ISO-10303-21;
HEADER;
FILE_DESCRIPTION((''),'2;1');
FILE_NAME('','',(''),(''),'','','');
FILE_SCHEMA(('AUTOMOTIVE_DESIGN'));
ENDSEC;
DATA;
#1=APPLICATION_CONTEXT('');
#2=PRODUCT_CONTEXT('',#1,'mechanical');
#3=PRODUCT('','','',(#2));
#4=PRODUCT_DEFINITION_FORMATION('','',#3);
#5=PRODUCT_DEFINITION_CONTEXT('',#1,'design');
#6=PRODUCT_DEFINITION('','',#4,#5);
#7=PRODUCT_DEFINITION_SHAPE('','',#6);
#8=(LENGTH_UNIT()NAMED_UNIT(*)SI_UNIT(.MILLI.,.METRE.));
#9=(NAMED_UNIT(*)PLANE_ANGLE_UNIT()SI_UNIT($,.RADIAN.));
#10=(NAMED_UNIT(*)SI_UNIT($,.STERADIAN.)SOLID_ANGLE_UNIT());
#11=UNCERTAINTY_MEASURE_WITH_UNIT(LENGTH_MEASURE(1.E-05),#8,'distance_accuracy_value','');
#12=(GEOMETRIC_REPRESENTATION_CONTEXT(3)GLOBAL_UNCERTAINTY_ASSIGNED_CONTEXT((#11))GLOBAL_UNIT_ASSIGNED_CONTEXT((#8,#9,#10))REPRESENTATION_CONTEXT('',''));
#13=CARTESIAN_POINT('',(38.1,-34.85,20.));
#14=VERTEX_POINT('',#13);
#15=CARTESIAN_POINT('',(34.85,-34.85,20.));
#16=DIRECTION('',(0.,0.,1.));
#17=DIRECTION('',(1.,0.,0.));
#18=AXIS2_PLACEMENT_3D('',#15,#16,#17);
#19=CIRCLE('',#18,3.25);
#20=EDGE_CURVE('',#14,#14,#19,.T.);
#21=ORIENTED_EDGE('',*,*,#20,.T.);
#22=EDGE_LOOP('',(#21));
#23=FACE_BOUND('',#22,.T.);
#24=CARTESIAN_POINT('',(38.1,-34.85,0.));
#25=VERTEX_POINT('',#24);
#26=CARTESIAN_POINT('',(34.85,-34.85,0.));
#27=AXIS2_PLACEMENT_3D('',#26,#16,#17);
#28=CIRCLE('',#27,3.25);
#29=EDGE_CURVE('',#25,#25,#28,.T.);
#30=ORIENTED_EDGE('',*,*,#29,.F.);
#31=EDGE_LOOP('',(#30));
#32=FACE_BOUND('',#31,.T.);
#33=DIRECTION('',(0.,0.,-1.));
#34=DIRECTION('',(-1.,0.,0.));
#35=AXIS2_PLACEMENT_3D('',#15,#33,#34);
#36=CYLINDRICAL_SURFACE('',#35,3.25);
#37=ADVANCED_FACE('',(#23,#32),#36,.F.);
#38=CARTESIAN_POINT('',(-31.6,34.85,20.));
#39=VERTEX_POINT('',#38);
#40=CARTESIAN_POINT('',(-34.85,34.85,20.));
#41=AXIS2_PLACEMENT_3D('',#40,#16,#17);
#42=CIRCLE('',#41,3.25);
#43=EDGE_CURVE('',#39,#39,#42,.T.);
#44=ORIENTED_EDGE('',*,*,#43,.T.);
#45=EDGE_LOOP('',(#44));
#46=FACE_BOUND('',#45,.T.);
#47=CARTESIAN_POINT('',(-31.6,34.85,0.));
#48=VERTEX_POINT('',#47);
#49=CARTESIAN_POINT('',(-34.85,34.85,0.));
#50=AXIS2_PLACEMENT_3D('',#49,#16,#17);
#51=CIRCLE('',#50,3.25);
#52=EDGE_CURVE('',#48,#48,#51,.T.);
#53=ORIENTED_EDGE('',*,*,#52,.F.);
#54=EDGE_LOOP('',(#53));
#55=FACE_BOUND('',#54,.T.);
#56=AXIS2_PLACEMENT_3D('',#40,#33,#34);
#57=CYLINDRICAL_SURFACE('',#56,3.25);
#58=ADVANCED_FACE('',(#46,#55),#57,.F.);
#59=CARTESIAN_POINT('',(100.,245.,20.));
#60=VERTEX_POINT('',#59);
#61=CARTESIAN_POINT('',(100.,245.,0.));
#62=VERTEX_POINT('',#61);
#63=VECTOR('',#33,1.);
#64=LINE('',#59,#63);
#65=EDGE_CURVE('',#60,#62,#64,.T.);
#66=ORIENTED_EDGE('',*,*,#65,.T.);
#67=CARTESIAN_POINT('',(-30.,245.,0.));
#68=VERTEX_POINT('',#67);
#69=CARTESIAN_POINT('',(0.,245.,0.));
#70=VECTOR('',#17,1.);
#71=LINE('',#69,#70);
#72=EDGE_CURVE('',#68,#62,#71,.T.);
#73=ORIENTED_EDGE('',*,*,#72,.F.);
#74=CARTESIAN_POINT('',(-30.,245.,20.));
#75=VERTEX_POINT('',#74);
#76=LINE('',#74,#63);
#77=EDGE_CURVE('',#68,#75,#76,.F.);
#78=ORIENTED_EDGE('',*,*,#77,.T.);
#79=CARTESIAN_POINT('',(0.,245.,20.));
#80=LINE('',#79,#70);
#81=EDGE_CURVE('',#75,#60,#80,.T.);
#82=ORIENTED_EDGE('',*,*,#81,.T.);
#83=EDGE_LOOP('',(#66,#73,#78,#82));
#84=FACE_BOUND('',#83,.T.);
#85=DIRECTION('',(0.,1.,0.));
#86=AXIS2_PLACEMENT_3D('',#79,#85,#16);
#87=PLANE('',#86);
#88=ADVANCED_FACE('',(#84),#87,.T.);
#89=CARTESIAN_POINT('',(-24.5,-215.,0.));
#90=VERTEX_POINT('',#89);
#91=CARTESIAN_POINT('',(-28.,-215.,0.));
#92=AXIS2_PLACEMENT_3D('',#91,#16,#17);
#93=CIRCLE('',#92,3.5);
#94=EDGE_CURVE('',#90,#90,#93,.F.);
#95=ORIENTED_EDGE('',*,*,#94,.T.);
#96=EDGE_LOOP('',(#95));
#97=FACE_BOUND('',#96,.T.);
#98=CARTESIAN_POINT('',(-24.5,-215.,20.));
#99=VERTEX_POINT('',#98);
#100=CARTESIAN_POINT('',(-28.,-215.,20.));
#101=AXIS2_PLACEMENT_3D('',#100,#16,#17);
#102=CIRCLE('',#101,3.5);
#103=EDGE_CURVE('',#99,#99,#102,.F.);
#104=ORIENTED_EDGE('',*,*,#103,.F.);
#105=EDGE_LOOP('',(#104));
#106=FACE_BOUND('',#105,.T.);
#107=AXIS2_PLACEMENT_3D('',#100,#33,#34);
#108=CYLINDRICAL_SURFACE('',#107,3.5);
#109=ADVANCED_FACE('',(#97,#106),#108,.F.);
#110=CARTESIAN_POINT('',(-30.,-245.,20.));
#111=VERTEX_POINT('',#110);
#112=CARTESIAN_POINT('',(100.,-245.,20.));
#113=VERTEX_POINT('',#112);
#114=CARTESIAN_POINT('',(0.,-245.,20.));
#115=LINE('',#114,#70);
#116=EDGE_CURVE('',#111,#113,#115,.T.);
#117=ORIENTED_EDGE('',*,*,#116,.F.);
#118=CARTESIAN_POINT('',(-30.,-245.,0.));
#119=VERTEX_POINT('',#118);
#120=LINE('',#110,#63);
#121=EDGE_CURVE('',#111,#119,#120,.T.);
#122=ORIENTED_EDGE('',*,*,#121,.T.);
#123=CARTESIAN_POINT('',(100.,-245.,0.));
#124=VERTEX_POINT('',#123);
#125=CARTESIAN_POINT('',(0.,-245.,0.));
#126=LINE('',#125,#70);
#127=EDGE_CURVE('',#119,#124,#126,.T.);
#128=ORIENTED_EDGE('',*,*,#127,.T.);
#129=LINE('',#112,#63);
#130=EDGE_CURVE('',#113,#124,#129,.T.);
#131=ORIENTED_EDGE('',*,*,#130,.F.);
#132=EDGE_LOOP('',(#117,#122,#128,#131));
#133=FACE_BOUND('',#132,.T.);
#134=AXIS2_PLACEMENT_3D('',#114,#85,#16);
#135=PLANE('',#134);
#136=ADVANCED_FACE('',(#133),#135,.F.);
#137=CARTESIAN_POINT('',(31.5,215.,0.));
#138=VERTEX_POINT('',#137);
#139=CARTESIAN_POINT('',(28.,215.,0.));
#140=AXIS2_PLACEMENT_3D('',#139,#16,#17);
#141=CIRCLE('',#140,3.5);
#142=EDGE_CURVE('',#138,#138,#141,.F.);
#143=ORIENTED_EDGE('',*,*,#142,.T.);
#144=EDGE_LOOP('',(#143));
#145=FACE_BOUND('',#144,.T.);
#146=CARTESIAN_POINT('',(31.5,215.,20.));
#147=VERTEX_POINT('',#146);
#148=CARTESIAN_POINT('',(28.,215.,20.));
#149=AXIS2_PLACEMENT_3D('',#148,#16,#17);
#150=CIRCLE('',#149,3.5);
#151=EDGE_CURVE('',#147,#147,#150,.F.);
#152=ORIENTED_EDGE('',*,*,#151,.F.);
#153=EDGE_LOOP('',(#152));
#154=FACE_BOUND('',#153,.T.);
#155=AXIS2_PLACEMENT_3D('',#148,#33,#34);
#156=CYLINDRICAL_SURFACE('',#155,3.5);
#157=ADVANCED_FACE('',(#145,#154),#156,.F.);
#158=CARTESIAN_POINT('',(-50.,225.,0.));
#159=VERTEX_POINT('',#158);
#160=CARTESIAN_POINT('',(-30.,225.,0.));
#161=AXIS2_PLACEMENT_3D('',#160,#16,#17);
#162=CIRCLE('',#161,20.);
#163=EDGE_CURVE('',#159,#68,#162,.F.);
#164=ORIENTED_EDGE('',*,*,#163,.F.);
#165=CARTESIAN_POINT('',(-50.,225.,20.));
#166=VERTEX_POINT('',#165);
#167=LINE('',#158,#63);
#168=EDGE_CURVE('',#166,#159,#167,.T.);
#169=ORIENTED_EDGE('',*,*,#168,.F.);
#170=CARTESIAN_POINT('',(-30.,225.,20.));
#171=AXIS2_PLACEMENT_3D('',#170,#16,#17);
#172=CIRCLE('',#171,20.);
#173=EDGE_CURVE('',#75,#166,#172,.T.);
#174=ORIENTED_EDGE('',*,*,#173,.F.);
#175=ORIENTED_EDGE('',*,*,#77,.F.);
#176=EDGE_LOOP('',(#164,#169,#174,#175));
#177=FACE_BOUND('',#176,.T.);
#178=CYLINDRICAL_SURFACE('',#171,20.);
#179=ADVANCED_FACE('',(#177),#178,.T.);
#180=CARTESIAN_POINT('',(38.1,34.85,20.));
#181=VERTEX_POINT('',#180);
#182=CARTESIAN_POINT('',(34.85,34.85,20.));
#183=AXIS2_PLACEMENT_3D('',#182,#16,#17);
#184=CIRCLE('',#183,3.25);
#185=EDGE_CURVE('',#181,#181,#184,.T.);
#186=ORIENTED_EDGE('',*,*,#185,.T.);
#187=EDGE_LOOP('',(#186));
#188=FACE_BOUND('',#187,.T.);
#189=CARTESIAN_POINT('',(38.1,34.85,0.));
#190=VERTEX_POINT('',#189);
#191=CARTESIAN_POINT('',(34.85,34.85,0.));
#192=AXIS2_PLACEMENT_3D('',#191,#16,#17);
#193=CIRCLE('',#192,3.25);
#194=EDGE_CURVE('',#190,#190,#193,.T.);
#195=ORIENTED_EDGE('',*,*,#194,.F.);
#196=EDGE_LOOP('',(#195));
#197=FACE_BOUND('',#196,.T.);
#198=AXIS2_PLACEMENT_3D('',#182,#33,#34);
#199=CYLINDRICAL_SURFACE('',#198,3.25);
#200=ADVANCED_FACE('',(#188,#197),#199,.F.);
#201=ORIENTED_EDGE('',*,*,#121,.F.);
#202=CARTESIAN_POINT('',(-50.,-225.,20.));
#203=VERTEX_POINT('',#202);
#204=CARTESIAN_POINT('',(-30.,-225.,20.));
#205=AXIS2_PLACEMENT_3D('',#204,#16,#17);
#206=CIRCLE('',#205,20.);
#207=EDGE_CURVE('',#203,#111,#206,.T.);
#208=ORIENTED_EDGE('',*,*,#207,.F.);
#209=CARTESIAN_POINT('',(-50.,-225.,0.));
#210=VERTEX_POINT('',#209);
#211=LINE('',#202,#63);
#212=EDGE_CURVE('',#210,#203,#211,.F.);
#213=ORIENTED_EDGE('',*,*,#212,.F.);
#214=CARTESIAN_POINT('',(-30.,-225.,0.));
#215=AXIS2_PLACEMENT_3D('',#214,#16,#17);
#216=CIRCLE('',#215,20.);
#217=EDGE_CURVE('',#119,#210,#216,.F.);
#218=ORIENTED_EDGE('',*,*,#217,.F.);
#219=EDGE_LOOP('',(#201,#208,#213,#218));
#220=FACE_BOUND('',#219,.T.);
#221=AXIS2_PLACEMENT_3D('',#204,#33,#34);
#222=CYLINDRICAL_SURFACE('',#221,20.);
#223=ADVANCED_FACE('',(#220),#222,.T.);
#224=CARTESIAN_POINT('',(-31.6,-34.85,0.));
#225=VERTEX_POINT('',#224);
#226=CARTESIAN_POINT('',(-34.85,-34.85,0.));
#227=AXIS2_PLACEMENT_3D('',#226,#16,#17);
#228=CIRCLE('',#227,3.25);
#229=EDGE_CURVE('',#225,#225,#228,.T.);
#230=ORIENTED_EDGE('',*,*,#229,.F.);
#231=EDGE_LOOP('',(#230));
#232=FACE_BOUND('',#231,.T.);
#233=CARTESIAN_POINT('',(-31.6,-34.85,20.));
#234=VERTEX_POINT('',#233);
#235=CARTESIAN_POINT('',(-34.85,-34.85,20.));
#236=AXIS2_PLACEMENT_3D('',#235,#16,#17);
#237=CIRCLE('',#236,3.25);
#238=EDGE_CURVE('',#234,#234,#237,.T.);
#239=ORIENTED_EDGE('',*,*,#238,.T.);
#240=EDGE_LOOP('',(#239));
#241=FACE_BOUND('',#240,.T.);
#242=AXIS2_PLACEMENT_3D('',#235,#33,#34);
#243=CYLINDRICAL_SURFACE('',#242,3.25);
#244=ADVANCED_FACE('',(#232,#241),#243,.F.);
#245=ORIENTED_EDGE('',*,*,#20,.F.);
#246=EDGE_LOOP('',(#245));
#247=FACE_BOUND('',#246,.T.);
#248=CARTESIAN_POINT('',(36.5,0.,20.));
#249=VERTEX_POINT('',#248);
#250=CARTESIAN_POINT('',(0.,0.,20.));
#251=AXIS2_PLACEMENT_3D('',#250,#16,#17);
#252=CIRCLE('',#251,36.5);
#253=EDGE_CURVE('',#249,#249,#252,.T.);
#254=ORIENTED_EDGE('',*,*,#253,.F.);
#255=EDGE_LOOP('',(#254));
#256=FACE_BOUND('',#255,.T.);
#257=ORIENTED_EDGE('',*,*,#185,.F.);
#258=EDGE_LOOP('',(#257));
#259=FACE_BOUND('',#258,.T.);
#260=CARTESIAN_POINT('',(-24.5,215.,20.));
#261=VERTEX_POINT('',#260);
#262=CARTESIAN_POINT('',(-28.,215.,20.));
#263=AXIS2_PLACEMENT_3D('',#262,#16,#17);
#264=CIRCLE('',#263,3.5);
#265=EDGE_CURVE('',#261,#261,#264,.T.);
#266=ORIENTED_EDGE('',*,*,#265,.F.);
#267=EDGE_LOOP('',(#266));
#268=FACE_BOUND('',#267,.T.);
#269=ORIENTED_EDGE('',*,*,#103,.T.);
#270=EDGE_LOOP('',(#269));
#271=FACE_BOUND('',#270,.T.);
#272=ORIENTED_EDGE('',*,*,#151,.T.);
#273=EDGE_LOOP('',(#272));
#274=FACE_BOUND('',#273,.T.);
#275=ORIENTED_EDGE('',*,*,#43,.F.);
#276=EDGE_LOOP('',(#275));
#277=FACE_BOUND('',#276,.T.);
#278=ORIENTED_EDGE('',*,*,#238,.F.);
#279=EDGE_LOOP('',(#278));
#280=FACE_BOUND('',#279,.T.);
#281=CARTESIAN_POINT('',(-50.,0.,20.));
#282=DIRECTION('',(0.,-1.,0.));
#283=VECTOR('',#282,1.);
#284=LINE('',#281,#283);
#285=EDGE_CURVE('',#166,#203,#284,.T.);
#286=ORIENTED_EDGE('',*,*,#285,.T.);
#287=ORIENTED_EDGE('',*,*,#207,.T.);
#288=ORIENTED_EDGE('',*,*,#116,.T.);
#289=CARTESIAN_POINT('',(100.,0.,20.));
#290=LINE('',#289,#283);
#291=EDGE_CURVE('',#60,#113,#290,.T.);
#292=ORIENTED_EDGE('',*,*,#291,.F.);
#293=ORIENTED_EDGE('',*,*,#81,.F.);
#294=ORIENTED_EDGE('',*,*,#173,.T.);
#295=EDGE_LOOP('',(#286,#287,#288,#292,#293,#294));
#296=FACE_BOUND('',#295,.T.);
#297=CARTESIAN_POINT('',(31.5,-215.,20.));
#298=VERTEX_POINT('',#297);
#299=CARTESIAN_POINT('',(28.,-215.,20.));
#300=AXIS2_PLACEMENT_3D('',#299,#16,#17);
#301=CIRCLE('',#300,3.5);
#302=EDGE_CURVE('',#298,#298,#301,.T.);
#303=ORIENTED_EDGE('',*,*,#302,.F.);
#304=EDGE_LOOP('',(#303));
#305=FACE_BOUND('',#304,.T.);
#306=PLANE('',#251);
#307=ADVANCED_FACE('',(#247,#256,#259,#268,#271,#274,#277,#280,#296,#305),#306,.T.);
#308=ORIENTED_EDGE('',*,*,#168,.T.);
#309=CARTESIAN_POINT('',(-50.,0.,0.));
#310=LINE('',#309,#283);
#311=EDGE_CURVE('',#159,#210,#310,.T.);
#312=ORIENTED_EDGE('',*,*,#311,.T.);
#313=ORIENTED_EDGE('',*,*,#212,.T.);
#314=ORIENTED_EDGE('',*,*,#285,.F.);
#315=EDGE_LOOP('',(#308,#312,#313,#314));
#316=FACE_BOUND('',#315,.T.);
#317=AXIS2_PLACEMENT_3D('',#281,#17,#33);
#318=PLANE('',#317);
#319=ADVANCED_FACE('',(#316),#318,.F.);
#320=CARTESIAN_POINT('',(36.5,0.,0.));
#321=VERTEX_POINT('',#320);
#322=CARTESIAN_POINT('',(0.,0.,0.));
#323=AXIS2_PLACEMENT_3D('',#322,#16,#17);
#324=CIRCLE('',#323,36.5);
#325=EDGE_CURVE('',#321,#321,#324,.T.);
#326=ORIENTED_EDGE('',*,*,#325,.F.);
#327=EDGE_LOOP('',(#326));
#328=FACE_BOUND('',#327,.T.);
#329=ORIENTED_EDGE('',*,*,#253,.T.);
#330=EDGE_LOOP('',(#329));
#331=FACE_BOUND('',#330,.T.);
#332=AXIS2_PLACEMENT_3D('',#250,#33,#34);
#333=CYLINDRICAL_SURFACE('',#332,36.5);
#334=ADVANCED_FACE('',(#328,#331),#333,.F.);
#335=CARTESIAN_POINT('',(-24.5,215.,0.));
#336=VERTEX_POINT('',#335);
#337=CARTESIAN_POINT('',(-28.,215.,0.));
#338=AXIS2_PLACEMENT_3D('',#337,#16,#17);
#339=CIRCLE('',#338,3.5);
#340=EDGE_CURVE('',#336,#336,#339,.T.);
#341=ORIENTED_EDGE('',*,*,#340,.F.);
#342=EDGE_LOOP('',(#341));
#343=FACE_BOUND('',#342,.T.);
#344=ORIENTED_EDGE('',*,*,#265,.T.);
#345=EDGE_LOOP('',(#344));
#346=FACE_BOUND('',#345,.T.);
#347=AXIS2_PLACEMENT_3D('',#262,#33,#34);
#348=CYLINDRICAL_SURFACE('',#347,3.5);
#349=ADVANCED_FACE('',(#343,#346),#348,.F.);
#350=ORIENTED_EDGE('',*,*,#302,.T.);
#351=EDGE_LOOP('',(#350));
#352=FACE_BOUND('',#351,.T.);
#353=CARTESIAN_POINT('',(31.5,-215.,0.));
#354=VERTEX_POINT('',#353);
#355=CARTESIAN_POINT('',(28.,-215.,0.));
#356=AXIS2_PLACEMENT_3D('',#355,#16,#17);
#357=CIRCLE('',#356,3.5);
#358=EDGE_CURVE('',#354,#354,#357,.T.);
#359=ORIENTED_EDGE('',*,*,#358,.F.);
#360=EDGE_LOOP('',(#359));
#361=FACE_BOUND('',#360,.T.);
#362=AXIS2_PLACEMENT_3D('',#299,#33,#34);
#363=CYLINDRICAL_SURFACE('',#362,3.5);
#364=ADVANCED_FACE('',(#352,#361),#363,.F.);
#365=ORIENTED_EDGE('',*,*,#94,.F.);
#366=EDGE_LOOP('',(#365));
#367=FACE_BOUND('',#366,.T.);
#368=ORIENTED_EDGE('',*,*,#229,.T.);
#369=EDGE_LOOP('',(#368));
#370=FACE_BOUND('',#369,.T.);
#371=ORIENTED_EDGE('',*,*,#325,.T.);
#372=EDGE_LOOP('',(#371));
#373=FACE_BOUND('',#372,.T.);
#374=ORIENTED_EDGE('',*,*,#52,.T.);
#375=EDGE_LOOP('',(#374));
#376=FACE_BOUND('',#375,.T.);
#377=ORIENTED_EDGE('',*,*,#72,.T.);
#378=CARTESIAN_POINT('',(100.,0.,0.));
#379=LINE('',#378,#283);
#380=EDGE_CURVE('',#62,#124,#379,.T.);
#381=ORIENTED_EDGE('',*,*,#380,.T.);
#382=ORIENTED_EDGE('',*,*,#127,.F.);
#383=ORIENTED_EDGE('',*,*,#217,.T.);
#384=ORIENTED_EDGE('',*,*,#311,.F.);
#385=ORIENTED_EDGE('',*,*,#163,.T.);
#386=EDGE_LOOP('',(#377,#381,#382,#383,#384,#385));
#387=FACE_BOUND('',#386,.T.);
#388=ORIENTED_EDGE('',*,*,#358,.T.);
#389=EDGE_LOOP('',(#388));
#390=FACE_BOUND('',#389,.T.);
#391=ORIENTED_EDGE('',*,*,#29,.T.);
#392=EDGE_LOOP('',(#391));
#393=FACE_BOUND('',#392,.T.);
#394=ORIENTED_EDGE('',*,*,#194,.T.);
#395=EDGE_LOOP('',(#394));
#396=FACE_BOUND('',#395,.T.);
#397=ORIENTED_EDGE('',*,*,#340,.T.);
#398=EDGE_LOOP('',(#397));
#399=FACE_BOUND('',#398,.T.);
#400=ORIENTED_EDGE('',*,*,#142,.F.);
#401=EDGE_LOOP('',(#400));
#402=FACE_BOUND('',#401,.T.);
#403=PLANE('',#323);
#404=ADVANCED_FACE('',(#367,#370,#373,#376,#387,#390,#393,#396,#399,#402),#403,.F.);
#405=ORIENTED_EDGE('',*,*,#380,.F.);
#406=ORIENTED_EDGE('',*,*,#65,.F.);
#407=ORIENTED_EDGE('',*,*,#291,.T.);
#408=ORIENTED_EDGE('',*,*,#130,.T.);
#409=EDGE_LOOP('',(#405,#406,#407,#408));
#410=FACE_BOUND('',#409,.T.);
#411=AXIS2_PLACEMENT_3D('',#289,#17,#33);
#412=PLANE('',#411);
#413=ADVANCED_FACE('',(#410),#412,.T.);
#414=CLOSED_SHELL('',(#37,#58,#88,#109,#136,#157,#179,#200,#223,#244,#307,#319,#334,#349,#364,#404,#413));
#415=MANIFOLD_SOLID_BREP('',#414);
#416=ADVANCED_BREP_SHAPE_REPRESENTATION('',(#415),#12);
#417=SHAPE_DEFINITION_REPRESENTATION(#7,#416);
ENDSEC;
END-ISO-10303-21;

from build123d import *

# Parameters (mm, degrees)
SKETCH_1_W      = 150
SKETCH_1_H      = 490
SKETCH_1_R      = 3.5
SKETCH_1_R_2    = 3.25
SKETCH_1_R_3    = 36.5
EXTRUDE_1_DEPTH = 20
FILLET_2_R      = 20


with BuildPart() as part:
    # Эскиз1 → Бобышка-Вытянуть1 (new body)
    with BuildSketch(Plane.XY):
        with Locations((25, 0)):
            Rectangle(SKETCH_1_W, SKETCH_1_H)
        with Locations((-28, -215)):
            Circle(SKETCH_1_R, mode=Mode.SUBTRACT)
        with Locations((-34.85, -34.85)):
            Circle(SKETCH_1_R_2, mode=Mode.SUBTRACT)
        with Locations((28, -215)):
            Circle(SKETCH_1_R, mode=Mode.SUBTRACT)
        with Locations((34.85, -34.85)):
            Circle(SKETCH_1_R_2, mode=Mode.SUBTRACT)
        with Locations((-34.85, 34.85)):
            Circle(SKETCH_1_R_2, mode=Mode.SUBTRACT)
        Circle(SKETCH_1_R_3, mode=Mode.SUBTRACT)
        with Locations((-28, 215)):
            Circle(SKETCH_1_R, mode=Mode.SUBTRACT)
        with Locations((34.85, 34.85)):
            Circle(SKETCH_1_R_2, mode=Mode.SUBTRACT)
        with Locations((28, 215)):
            Circle(SKETCH_1_R, mode=Mode.SUBTRACT)
    extrude(amount=EXTRUDE_1_DEPTH)

    # Скругление2
    fillet_2_edges = [part.edges().sort_by_distance(p)[0] for p in [
        (-50, -245, 10),
        (-50, 245, 10),
    ]]
    fillet(fillet_2_edges, radius=FILLET_2_R)


solid = part.part
